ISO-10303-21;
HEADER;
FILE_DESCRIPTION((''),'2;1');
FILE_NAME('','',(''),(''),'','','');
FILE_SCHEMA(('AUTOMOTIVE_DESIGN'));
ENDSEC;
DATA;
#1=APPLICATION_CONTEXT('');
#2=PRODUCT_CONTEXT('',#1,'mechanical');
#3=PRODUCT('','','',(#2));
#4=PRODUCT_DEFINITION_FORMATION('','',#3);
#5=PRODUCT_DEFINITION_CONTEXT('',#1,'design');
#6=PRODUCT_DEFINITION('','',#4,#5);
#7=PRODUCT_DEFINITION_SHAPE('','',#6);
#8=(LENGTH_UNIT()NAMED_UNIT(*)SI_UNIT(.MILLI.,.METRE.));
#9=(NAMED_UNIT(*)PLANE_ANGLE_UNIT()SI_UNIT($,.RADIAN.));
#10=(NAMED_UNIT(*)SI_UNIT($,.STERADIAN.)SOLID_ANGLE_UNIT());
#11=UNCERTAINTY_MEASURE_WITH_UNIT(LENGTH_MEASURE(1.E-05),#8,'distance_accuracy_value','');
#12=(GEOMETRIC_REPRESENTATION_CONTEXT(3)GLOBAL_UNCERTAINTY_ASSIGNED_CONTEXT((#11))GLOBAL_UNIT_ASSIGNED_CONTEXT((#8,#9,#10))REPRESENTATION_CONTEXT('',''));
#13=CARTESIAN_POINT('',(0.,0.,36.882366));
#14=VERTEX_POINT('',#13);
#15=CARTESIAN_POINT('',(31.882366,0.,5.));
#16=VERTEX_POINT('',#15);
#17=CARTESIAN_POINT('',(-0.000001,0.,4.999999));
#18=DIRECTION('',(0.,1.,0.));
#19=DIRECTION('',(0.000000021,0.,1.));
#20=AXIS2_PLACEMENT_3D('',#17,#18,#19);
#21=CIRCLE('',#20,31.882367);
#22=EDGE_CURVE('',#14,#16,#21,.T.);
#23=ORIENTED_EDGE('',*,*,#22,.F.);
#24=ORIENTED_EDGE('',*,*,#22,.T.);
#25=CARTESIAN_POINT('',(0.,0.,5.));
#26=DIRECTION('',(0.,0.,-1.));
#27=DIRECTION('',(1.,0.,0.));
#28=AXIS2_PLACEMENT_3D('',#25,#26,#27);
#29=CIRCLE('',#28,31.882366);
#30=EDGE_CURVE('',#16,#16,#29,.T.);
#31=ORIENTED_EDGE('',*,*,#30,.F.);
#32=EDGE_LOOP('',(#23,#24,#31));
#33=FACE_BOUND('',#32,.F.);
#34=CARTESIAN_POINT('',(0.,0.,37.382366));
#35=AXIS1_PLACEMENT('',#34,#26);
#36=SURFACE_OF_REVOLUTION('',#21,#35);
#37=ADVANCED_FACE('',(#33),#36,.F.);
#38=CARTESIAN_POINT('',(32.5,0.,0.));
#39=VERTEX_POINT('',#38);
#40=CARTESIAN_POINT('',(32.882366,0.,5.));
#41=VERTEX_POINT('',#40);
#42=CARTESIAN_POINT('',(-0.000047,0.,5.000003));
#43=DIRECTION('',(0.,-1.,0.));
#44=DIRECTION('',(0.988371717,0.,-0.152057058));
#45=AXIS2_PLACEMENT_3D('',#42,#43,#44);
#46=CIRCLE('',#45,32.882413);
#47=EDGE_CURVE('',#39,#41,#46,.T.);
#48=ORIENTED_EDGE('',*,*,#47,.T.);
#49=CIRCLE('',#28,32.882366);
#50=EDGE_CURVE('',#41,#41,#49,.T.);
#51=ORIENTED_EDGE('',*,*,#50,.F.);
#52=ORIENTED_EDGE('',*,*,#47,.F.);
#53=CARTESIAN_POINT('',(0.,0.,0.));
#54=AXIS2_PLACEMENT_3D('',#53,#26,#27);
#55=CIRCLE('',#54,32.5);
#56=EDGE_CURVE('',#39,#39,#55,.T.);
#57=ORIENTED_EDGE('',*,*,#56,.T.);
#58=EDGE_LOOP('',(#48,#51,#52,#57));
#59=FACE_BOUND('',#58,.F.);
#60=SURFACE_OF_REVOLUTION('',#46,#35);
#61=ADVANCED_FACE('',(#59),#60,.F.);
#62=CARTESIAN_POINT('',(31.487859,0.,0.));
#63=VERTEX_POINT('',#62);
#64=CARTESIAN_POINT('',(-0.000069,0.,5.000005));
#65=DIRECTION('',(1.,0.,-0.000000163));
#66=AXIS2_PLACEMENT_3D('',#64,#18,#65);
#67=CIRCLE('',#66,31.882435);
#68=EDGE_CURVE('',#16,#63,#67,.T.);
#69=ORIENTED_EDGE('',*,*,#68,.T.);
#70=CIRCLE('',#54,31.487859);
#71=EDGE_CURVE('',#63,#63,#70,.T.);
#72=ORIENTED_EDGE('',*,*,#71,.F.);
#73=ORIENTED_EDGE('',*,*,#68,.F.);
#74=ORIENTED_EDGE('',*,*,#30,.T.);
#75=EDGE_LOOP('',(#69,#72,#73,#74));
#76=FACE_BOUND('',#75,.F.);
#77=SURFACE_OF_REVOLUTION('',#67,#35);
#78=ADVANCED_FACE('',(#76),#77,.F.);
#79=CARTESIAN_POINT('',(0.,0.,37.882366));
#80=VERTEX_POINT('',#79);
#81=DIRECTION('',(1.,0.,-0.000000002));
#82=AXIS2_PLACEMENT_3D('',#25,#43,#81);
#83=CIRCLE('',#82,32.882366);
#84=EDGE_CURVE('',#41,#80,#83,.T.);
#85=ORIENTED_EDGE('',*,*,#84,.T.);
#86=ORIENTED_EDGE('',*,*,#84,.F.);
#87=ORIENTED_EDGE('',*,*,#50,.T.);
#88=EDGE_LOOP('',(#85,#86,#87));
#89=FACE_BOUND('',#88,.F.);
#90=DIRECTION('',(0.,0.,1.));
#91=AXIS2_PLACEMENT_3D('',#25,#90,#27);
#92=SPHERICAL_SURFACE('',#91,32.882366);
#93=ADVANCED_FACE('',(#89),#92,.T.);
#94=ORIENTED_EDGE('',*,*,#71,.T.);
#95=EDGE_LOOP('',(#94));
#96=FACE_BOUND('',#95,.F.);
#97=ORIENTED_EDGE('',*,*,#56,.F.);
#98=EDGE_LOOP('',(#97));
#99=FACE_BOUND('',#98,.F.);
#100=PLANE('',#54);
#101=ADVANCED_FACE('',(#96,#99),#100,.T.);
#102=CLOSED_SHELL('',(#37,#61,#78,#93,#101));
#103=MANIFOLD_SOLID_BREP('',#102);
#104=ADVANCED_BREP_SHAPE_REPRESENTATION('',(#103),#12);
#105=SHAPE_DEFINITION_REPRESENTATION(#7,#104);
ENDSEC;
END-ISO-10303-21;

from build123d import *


with BuildPart() as f1:
    # F0 (on Front) → F1 (revolve)
    with BuildSketch(Plane.XZ):
        with BuildLine():
            ThreePointArc((32.5, 0), (32.786635, 2.4927), (32.882366, 5))
            ThreePointArc((32.882366, 5), (23.251344, 28.251344), (0, 37.882366))
            Line((0, 37.882366), (0, 36.882366))
            ThreePointArc((0, 36.882366), (22.544237, 27.544237), (31.882366, 5))
            ThreePointArc((31.882366, 5), (31.783586, 2.49223), (31.487859, 0))
            Line((31.487859, 0), (32.5, 0))
        make_face()
    revolve(axis=Axis((0, 0, 37.382366), (0, 0, -1)))


solid = f1.part
